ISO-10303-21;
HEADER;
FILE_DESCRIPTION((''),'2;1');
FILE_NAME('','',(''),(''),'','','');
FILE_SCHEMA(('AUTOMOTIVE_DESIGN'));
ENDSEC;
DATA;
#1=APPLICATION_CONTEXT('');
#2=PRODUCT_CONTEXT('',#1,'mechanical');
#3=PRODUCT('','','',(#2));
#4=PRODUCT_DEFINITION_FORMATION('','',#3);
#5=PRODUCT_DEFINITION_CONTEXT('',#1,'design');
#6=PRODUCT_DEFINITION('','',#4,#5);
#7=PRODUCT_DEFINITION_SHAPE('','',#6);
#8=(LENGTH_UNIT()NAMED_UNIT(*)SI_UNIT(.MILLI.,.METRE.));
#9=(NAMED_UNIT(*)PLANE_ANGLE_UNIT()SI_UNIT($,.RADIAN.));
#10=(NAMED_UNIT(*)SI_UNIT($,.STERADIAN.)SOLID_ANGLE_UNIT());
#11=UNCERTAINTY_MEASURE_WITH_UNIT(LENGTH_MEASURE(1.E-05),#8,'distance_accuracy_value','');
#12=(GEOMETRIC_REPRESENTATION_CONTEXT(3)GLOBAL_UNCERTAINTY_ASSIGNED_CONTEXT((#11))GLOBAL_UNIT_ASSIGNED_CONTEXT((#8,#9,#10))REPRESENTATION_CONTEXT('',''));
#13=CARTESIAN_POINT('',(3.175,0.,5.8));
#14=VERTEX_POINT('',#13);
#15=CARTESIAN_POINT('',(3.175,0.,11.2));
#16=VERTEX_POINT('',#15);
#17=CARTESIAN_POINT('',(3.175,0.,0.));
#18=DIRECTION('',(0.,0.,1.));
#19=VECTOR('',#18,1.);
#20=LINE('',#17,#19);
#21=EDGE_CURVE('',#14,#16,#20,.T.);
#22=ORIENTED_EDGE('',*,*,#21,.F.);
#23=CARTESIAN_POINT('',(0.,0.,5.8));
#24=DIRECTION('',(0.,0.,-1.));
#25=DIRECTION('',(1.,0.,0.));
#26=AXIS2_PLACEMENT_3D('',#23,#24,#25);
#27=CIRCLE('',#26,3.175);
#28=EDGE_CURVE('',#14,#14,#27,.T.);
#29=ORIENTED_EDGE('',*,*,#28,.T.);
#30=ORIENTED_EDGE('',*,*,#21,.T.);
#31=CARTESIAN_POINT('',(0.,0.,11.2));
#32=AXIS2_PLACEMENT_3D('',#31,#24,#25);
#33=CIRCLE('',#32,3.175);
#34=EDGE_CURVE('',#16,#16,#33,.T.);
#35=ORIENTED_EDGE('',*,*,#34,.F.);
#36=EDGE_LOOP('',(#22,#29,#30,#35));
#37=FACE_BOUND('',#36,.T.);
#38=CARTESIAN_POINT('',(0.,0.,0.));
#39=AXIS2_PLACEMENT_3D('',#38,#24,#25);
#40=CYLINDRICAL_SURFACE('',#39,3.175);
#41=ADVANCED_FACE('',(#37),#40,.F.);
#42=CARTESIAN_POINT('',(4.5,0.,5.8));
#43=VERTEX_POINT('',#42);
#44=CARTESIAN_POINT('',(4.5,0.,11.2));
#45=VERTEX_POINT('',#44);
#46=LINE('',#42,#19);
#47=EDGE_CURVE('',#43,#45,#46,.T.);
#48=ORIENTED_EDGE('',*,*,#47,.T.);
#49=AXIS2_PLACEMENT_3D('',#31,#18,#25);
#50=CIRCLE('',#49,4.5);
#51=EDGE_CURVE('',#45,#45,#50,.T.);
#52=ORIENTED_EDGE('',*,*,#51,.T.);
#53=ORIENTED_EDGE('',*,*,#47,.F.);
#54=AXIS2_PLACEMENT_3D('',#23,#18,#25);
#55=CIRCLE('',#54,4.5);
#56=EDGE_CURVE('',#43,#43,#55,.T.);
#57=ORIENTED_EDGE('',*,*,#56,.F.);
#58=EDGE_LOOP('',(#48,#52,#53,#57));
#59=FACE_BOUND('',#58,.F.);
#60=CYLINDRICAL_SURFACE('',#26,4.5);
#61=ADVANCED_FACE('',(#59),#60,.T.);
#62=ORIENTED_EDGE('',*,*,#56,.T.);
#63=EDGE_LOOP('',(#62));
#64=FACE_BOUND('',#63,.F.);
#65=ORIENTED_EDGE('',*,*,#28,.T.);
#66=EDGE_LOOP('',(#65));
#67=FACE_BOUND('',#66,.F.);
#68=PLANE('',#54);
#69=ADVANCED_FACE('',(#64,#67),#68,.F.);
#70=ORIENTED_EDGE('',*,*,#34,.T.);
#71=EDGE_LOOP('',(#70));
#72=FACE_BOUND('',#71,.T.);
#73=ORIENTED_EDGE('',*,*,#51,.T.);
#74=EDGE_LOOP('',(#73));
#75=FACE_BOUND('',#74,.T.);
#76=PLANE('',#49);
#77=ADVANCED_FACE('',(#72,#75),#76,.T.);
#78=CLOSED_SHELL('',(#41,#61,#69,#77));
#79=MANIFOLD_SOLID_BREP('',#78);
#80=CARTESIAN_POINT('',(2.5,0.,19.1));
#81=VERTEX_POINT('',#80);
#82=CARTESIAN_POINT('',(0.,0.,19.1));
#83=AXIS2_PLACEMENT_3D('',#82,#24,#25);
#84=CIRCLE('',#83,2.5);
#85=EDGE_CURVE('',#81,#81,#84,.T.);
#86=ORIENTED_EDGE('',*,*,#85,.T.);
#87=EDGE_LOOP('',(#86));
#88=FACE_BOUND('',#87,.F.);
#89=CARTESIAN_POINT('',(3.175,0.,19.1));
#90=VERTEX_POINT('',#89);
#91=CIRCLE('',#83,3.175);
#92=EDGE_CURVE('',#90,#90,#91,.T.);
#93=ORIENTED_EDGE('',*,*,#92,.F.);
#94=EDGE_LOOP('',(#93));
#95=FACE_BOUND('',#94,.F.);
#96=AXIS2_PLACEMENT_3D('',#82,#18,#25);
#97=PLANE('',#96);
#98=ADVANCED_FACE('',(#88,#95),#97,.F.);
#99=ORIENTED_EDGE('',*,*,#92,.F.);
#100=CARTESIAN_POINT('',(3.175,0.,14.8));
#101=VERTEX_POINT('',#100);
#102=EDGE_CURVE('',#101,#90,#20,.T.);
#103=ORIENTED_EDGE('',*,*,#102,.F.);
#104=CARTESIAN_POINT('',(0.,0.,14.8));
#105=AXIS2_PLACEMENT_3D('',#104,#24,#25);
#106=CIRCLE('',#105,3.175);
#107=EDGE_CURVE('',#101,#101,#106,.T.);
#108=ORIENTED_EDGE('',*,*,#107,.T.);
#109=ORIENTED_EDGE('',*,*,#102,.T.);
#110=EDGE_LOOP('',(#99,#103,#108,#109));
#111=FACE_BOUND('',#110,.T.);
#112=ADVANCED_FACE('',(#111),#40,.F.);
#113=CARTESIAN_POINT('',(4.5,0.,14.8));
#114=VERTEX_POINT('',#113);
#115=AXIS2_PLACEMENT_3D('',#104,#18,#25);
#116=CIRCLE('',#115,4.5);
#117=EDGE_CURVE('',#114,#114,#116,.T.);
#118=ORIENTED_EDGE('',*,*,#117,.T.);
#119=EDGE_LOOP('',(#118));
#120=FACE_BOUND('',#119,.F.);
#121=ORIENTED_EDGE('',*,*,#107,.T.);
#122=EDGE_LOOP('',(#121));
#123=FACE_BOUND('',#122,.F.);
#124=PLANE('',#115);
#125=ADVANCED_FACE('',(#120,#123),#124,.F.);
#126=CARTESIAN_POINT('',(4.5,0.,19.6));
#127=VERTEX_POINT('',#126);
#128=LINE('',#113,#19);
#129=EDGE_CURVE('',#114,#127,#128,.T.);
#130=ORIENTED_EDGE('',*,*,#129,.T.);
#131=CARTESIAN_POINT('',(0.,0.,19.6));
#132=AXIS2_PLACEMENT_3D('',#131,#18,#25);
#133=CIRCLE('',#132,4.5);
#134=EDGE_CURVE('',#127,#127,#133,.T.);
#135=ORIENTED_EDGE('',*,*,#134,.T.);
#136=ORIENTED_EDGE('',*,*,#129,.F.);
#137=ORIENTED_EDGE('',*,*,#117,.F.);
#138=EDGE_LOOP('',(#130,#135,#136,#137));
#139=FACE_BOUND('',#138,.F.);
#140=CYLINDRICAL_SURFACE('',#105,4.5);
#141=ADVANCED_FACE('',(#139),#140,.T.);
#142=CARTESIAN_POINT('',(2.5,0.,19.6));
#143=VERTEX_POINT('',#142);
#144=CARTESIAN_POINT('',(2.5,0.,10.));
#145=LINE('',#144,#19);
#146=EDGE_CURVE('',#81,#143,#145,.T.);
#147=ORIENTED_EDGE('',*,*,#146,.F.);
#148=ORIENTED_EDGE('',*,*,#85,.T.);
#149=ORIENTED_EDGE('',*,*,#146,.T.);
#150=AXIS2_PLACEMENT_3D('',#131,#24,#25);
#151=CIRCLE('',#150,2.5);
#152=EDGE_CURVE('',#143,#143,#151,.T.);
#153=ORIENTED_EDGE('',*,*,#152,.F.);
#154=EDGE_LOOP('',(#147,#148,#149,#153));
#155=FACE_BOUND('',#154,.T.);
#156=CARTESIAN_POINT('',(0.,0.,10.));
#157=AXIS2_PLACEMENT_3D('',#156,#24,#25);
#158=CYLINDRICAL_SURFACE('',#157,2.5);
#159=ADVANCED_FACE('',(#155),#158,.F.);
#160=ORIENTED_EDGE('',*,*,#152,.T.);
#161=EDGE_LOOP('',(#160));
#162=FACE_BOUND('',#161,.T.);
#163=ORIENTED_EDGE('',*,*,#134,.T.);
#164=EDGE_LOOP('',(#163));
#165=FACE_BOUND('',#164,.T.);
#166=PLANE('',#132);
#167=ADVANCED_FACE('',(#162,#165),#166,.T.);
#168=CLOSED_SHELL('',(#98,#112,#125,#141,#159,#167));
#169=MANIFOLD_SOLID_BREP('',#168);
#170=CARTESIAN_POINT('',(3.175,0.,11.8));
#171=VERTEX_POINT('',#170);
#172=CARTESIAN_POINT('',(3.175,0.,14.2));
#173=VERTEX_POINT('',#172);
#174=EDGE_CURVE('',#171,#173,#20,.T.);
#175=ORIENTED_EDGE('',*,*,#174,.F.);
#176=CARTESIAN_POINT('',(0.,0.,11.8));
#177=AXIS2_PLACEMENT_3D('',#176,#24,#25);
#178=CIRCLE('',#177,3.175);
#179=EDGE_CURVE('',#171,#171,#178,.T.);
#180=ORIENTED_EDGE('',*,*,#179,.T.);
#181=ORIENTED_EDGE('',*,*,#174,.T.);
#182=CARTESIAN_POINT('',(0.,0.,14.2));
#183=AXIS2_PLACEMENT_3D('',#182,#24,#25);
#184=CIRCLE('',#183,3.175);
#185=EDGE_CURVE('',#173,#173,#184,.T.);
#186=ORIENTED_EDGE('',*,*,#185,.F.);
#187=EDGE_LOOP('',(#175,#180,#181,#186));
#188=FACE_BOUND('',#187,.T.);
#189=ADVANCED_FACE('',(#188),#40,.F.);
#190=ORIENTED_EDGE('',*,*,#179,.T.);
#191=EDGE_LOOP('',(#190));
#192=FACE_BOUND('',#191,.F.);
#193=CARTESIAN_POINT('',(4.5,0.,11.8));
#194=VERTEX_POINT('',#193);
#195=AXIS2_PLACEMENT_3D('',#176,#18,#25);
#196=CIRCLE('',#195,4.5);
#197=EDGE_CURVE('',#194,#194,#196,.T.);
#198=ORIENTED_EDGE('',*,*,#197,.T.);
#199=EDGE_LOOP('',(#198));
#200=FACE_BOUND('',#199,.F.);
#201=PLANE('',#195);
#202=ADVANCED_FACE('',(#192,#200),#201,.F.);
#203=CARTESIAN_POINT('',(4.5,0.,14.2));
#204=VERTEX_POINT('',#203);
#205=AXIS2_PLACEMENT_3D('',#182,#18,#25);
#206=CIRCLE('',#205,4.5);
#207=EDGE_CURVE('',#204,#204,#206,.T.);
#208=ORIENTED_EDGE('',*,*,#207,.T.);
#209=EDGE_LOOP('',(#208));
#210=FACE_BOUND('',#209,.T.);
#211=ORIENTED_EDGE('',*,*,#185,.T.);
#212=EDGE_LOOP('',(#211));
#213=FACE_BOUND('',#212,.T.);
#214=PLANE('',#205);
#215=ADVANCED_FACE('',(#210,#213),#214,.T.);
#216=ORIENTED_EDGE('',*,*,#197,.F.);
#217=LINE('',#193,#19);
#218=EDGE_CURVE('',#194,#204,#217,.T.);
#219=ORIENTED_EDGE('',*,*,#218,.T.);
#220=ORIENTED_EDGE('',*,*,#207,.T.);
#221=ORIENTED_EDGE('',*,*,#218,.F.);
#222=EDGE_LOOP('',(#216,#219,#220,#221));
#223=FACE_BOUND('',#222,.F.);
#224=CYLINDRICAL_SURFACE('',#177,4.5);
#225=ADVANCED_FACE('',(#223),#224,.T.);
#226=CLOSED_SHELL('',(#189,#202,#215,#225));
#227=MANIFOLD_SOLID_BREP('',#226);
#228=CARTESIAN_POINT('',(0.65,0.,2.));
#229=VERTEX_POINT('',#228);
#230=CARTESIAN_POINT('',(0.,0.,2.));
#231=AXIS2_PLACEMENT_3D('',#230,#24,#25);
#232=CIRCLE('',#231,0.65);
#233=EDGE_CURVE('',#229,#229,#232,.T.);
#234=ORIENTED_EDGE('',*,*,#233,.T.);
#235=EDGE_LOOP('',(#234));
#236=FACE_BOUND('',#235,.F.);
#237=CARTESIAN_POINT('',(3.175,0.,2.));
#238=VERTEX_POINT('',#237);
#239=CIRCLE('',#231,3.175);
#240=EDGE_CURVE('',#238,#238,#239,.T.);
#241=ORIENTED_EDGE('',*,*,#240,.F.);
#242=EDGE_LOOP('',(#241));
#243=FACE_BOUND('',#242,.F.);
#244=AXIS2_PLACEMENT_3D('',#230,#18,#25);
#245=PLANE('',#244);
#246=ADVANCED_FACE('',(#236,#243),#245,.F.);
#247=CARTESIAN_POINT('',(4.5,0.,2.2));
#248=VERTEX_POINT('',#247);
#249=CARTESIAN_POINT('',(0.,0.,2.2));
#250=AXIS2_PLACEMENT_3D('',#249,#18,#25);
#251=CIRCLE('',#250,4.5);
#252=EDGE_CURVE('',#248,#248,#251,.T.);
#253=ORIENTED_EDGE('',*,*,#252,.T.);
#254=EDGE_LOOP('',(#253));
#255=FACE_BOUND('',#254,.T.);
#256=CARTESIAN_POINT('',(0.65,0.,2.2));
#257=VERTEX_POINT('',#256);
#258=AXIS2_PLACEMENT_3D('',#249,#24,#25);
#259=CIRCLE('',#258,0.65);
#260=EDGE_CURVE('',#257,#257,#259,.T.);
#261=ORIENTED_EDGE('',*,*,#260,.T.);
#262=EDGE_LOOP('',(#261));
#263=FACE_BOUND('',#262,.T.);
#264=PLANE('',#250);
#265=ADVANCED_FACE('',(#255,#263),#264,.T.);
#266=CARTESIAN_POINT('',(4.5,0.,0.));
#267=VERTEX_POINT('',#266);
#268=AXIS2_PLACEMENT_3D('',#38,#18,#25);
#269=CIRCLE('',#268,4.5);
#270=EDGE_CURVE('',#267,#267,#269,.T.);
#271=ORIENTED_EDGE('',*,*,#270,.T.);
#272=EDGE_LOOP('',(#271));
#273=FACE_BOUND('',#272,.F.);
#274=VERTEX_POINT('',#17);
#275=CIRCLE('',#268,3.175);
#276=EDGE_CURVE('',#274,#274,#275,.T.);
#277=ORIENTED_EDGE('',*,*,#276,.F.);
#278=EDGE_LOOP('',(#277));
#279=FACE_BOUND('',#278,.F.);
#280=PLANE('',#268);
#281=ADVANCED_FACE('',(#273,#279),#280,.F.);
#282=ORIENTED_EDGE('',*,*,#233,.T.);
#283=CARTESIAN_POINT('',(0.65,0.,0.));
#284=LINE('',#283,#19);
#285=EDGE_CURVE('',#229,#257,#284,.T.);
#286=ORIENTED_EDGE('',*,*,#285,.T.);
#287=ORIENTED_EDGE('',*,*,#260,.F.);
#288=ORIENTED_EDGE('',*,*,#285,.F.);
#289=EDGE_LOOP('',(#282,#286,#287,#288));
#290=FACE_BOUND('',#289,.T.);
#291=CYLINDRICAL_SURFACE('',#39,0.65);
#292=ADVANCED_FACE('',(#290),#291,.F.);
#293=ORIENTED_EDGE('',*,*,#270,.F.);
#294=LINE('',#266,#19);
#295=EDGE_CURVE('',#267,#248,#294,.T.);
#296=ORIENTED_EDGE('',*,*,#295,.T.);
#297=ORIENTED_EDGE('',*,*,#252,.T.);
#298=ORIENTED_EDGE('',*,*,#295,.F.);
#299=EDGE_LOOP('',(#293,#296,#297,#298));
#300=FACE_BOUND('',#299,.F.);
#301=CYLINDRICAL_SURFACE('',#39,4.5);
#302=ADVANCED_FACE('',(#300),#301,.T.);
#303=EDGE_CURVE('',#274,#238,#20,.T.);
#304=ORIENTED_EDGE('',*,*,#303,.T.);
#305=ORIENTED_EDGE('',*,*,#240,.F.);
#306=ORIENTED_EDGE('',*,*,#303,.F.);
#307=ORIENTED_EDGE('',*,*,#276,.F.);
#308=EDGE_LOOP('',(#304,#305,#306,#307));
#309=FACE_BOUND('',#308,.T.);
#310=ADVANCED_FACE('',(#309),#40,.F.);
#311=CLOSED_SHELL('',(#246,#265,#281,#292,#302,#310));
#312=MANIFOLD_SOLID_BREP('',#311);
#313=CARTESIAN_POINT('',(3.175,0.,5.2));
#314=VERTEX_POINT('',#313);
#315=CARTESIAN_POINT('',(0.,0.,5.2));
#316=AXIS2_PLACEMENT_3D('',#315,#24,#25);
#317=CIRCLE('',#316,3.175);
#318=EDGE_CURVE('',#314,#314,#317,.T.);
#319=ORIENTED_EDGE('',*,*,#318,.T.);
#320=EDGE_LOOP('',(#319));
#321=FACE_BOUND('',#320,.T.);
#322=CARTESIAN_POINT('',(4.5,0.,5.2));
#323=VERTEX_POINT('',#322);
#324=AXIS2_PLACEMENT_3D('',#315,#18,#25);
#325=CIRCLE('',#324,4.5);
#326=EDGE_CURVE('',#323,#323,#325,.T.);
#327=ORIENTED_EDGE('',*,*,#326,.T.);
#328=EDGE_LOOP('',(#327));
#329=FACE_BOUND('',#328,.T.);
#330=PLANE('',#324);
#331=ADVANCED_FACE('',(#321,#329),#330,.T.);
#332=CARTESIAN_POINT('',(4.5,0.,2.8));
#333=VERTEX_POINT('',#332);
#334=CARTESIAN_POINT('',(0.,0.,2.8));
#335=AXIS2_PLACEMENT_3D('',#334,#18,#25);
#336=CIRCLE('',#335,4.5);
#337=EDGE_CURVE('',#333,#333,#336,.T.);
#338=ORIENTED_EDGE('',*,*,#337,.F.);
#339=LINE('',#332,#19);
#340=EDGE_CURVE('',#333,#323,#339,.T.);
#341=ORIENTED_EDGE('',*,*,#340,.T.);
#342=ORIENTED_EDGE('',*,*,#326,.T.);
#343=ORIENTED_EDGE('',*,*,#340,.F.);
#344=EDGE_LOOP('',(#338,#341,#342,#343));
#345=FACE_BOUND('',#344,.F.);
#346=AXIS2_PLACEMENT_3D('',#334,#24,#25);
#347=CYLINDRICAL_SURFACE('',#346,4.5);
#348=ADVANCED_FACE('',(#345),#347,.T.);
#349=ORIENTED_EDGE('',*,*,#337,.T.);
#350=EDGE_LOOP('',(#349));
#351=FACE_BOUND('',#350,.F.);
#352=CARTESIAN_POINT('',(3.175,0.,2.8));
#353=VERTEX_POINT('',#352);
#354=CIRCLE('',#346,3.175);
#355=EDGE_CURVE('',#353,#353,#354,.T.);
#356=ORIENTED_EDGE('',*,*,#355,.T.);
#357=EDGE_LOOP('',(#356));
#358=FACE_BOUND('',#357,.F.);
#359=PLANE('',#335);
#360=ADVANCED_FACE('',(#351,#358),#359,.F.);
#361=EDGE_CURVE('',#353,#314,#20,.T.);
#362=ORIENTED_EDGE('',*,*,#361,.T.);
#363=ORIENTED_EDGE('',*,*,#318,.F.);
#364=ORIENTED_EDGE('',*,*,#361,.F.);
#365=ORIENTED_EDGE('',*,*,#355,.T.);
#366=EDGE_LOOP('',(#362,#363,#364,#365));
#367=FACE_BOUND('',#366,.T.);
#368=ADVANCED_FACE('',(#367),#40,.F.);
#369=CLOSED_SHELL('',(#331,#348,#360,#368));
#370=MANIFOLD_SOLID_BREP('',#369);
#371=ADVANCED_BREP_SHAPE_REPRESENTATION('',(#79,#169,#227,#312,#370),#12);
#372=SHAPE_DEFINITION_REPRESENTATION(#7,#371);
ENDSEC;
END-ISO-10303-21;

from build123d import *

# Parameters (mm, degrees)
CYLINDER019_R     = 2.5
CYLINDER019_DEPTH = 25
CYLINDER017_R     = 4.5
CYLINDER017_DEPTH = 0.5
CYLINDER016_R     = 0.65
CYLINDER016_DEPTH = 25
CYLINDER018_R     = 4.5
CYLINDER018_DEPTH = 0.2
CYLINDER012_R     = 3.175
CYLINDER012_DEPTH = 25
CYLINDER015_R     = 2
CYLINDER015_DEPTH = 2
CYLINDER021_R     = 4.5
CYLINDER021_DEPTH = 2.4
CYLINDER014_R     = 4.5
CYLINDER014_DEPTH = 5.4
CYLINDER022_R     = 4.5
CYLINDER022_DEPTH = 2.4
CYLINDER020_R     = 4.5
CYLINDER020_DEPTH = 4.8
CYLINDER013_R     = 4.5
CYLINDER013_DEPTH = 2.2


with BuildPart() as aperture004:
    # Cylinder019 → Cylinder019 (new body)
    with BuildSketch(Plane.XY.offset(10)):
        Circle(CYLINDER019_R)
    extrude(amount=CYLINDER019_DEPTH)


with BuildPart() as cut005:
    # Cylinder017 → Cylinder017 (new body)
    with BuildSketch(Plane.XY.offset(19.1)):
        Circle(CYLINDER017_R)
    extrude(amount=CYLINDER017_DEPTH)

    # Cut005: cut Aperture004
    add(aperture004.part, mode=Mode.SUBTRACT)


with BuildPart() as aperture003:
    # Cylinder016 → Cylinder016 (new body)
    with BuildSketch(Plane.XY):
        Circle(CYLINDER016_R)
    extrude(amount=CYLINDER016_DEPTH)


with BuildPart() as cut007:
    # Cylinder018 → Cylinder018 (new body)
    with BuildSketch(Plane.XY.offset(2)):
        Circle(CYLINDER018_R)
    extrude(amount=CYLINDER018_DEPTH)

    # Cut007: cut Aperture003
    add(aperture003.part, mode=Mode.SUBTRACT)


with BuildPart() as inner_radius001:
    # Cylinder012 → Cylinder012 (new body)
    with BuildSketch(Plane.XY):
        Circle(CYLINDER012_R)
    extrude(amount=CYLINDER012_DEPTH)


with BuildPart() as cylinder015:
    # Cylinder015 → Cylinder015 (new body)
    with BuildSketch(Plane.XY.offset(2.5)):
        Circle(CYLINDER015_R)
    extrude(amount=CYLINDER015_DEPTH)


with BuildPart() as einzel007:
    # Cylinder021 → Cylinder021 (new body)
    with BuildSketch(Plane.XY.offset(2.8)):
        Circle(CYLINDER021_R)
    extrude(amount=CYLINDER021_DEPTH)


with BuildPart() as einzel005:
    # Cylinder014 → Cylinder014 (new body)
    with BuildSketch(Plane.XY.offset(5.8)):
        Circle(CYLINDER014_R)
    extrude(amount=CYLINDER014_DEPTH)


with BuildPart() as einzel008:
    # Cylinder022 → Cylinder022 (new body)
    with BuildSketch(Plane.XY.offset(11.8)):
        Circle(CYLINDER022_R)
    extrude(amount=CYLINDER022_DEPTH)


with BuildPart() as einzel006:
    # Cylinder020 → Cylinder020 (new body)
    with BuildSketch(Plane.XY.offset(14.8)):
        Circle(CYLINDER020_R)
    extrude(amount=CYLINDER020_DEPTH)


with BuildPart() as fusion003:
    # Cylinder013 → Cylinder013 (new body)
    with BuildSketch(Plane.XY):
        Circle(CYLINDER013_R)
    extrude(amount=CYLINDER013_DEPTH)

    # Fusion002: union Cylinder015, Einzel007, Einzel005, Einzel008, Einzel006
    add(cylinder015.part)
    add(einzel007.part)
    add(einzel005.part)
    add(einzel008.part)
    add(einzel006.part)

    # Cut006: cut Inner radius001
    add(inner_radius001.part, mode=Mode.SUBTRACT)

    # Fusion003: union Cut005, Cut007
    add(cut005.part)
    add(cut007.part)


solid = fusion003.part
